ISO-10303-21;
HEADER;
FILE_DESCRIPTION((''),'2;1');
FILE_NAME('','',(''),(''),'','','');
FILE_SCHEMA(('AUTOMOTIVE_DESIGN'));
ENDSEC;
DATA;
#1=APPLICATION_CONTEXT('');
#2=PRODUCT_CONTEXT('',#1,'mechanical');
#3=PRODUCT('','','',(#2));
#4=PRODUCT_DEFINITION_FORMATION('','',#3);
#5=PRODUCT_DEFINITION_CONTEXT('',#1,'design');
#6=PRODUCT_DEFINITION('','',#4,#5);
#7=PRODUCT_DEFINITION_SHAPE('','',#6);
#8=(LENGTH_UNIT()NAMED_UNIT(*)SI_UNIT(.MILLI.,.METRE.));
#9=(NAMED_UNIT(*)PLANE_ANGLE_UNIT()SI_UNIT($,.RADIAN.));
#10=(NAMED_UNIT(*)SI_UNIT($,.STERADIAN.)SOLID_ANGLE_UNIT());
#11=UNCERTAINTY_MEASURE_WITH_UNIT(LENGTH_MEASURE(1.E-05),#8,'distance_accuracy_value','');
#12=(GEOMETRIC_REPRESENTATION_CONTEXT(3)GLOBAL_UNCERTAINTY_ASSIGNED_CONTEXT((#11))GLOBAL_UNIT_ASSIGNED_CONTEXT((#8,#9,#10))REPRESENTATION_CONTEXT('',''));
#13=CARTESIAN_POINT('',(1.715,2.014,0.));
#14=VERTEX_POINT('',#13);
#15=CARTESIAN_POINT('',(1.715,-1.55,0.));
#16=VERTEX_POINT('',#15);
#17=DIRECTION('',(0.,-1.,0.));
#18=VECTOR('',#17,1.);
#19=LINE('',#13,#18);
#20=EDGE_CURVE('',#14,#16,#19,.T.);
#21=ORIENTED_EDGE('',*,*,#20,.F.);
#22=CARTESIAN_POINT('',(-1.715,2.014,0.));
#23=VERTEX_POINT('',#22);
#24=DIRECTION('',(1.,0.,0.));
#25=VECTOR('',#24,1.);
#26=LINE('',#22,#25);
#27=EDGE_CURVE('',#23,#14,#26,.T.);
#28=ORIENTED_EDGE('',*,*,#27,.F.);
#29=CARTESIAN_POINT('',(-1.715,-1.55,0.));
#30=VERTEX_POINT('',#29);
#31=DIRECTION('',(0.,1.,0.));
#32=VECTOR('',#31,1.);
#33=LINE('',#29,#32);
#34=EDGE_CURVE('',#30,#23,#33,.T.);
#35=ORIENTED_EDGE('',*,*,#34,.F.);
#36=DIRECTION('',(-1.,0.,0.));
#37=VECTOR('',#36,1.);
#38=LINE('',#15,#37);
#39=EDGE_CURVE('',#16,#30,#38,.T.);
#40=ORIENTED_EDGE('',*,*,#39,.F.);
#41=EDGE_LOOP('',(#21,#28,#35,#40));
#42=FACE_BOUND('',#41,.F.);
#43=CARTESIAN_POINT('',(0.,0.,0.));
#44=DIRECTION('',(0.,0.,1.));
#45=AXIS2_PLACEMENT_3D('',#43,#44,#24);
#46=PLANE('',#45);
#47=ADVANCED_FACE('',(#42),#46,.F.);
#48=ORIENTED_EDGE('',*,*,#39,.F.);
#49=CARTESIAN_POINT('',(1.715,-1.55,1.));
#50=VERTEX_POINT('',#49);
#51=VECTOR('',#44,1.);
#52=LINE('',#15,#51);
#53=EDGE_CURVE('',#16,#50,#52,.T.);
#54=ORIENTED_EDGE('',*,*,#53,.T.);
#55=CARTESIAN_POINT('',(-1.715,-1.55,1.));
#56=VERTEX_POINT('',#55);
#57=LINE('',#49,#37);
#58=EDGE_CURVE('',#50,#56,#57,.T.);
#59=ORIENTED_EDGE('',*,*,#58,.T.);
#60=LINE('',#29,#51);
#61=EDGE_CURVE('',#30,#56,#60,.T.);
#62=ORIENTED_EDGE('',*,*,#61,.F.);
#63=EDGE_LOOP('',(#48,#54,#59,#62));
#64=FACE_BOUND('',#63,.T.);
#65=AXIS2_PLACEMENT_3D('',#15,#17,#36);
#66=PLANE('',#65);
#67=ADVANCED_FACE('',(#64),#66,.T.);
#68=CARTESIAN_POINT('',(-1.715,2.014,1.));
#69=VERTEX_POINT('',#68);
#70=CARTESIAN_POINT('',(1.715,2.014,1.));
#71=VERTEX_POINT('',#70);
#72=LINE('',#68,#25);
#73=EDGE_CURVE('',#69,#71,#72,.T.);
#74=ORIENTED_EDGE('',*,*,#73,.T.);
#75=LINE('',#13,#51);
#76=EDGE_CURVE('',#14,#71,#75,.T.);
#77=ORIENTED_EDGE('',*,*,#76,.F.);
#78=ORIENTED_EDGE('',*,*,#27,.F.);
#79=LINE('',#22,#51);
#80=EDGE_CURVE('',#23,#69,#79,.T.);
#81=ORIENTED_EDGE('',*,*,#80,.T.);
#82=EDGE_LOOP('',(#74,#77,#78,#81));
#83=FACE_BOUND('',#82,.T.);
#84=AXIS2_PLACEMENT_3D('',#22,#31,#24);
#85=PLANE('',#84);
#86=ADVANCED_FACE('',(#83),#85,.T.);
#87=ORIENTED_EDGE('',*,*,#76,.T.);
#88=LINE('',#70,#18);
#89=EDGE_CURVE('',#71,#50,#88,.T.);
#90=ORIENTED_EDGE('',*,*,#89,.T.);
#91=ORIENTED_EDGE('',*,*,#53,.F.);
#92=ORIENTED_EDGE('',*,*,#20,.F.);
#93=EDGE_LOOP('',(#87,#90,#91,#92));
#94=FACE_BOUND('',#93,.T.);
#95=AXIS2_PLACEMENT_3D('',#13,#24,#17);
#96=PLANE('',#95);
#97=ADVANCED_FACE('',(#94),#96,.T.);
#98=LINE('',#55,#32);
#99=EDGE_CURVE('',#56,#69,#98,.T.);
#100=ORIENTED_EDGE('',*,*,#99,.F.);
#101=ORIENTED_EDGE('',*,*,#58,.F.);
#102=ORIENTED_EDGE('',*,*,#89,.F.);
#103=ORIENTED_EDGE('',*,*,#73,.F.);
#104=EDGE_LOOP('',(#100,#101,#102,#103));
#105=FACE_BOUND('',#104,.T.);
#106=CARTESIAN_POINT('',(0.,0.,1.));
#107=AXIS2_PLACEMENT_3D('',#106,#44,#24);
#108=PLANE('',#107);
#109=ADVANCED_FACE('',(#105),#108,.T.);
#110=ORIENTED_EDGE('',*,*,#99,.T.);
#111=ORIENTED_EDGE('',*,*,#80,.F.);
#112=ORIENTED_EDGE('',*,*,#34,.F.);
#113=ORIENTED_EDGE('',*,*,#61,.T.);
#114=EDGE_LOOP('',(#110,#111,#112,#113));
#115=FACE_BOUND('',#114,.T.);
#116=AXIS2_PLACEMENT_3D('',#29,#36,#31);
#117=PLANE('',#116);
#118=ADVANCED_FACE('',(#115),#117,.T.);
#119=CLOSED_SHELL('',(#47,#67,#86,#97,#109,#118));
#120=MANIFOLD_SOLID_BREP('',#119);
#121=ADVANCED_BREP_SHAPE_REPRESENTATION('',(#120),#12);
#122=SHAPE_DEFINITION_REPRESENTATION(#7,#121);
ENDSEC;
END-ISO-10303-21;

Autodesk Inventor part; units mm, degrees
ref_plane "YZ Plane" through (0, 0, 0) normal (1, 0, 0) x (0, 1, 0)
ref_plane "XZ Plane" through (0, 0, 0) normal (0, 1, 0) x (-1, 0, 0)
ref_plane "XY Plane" through (0, 0, 0) normal (0, 0, 1) x (1, 0, 0)
sketch "SOT23, DIODE_SM_206" plane through (0, 0, 0) normal (0, 0, 1) x (1, 0, 0)
  line L0 (-1.715, -1.55) -> (-1.715, 2.014)
  line L1 (-1.715, 2.014) -> (1.715, 2.014)
  line L2 (1.715, 2.014) -> (1.715, -1.55)
  line L3 (1.715, -1.55) -> (-1.715, -1.55)
extrude "Extrusion1" add sketch "SOT23, DIODE_SM_206" along normal blind 1
properties part number "DIODE_SM"
